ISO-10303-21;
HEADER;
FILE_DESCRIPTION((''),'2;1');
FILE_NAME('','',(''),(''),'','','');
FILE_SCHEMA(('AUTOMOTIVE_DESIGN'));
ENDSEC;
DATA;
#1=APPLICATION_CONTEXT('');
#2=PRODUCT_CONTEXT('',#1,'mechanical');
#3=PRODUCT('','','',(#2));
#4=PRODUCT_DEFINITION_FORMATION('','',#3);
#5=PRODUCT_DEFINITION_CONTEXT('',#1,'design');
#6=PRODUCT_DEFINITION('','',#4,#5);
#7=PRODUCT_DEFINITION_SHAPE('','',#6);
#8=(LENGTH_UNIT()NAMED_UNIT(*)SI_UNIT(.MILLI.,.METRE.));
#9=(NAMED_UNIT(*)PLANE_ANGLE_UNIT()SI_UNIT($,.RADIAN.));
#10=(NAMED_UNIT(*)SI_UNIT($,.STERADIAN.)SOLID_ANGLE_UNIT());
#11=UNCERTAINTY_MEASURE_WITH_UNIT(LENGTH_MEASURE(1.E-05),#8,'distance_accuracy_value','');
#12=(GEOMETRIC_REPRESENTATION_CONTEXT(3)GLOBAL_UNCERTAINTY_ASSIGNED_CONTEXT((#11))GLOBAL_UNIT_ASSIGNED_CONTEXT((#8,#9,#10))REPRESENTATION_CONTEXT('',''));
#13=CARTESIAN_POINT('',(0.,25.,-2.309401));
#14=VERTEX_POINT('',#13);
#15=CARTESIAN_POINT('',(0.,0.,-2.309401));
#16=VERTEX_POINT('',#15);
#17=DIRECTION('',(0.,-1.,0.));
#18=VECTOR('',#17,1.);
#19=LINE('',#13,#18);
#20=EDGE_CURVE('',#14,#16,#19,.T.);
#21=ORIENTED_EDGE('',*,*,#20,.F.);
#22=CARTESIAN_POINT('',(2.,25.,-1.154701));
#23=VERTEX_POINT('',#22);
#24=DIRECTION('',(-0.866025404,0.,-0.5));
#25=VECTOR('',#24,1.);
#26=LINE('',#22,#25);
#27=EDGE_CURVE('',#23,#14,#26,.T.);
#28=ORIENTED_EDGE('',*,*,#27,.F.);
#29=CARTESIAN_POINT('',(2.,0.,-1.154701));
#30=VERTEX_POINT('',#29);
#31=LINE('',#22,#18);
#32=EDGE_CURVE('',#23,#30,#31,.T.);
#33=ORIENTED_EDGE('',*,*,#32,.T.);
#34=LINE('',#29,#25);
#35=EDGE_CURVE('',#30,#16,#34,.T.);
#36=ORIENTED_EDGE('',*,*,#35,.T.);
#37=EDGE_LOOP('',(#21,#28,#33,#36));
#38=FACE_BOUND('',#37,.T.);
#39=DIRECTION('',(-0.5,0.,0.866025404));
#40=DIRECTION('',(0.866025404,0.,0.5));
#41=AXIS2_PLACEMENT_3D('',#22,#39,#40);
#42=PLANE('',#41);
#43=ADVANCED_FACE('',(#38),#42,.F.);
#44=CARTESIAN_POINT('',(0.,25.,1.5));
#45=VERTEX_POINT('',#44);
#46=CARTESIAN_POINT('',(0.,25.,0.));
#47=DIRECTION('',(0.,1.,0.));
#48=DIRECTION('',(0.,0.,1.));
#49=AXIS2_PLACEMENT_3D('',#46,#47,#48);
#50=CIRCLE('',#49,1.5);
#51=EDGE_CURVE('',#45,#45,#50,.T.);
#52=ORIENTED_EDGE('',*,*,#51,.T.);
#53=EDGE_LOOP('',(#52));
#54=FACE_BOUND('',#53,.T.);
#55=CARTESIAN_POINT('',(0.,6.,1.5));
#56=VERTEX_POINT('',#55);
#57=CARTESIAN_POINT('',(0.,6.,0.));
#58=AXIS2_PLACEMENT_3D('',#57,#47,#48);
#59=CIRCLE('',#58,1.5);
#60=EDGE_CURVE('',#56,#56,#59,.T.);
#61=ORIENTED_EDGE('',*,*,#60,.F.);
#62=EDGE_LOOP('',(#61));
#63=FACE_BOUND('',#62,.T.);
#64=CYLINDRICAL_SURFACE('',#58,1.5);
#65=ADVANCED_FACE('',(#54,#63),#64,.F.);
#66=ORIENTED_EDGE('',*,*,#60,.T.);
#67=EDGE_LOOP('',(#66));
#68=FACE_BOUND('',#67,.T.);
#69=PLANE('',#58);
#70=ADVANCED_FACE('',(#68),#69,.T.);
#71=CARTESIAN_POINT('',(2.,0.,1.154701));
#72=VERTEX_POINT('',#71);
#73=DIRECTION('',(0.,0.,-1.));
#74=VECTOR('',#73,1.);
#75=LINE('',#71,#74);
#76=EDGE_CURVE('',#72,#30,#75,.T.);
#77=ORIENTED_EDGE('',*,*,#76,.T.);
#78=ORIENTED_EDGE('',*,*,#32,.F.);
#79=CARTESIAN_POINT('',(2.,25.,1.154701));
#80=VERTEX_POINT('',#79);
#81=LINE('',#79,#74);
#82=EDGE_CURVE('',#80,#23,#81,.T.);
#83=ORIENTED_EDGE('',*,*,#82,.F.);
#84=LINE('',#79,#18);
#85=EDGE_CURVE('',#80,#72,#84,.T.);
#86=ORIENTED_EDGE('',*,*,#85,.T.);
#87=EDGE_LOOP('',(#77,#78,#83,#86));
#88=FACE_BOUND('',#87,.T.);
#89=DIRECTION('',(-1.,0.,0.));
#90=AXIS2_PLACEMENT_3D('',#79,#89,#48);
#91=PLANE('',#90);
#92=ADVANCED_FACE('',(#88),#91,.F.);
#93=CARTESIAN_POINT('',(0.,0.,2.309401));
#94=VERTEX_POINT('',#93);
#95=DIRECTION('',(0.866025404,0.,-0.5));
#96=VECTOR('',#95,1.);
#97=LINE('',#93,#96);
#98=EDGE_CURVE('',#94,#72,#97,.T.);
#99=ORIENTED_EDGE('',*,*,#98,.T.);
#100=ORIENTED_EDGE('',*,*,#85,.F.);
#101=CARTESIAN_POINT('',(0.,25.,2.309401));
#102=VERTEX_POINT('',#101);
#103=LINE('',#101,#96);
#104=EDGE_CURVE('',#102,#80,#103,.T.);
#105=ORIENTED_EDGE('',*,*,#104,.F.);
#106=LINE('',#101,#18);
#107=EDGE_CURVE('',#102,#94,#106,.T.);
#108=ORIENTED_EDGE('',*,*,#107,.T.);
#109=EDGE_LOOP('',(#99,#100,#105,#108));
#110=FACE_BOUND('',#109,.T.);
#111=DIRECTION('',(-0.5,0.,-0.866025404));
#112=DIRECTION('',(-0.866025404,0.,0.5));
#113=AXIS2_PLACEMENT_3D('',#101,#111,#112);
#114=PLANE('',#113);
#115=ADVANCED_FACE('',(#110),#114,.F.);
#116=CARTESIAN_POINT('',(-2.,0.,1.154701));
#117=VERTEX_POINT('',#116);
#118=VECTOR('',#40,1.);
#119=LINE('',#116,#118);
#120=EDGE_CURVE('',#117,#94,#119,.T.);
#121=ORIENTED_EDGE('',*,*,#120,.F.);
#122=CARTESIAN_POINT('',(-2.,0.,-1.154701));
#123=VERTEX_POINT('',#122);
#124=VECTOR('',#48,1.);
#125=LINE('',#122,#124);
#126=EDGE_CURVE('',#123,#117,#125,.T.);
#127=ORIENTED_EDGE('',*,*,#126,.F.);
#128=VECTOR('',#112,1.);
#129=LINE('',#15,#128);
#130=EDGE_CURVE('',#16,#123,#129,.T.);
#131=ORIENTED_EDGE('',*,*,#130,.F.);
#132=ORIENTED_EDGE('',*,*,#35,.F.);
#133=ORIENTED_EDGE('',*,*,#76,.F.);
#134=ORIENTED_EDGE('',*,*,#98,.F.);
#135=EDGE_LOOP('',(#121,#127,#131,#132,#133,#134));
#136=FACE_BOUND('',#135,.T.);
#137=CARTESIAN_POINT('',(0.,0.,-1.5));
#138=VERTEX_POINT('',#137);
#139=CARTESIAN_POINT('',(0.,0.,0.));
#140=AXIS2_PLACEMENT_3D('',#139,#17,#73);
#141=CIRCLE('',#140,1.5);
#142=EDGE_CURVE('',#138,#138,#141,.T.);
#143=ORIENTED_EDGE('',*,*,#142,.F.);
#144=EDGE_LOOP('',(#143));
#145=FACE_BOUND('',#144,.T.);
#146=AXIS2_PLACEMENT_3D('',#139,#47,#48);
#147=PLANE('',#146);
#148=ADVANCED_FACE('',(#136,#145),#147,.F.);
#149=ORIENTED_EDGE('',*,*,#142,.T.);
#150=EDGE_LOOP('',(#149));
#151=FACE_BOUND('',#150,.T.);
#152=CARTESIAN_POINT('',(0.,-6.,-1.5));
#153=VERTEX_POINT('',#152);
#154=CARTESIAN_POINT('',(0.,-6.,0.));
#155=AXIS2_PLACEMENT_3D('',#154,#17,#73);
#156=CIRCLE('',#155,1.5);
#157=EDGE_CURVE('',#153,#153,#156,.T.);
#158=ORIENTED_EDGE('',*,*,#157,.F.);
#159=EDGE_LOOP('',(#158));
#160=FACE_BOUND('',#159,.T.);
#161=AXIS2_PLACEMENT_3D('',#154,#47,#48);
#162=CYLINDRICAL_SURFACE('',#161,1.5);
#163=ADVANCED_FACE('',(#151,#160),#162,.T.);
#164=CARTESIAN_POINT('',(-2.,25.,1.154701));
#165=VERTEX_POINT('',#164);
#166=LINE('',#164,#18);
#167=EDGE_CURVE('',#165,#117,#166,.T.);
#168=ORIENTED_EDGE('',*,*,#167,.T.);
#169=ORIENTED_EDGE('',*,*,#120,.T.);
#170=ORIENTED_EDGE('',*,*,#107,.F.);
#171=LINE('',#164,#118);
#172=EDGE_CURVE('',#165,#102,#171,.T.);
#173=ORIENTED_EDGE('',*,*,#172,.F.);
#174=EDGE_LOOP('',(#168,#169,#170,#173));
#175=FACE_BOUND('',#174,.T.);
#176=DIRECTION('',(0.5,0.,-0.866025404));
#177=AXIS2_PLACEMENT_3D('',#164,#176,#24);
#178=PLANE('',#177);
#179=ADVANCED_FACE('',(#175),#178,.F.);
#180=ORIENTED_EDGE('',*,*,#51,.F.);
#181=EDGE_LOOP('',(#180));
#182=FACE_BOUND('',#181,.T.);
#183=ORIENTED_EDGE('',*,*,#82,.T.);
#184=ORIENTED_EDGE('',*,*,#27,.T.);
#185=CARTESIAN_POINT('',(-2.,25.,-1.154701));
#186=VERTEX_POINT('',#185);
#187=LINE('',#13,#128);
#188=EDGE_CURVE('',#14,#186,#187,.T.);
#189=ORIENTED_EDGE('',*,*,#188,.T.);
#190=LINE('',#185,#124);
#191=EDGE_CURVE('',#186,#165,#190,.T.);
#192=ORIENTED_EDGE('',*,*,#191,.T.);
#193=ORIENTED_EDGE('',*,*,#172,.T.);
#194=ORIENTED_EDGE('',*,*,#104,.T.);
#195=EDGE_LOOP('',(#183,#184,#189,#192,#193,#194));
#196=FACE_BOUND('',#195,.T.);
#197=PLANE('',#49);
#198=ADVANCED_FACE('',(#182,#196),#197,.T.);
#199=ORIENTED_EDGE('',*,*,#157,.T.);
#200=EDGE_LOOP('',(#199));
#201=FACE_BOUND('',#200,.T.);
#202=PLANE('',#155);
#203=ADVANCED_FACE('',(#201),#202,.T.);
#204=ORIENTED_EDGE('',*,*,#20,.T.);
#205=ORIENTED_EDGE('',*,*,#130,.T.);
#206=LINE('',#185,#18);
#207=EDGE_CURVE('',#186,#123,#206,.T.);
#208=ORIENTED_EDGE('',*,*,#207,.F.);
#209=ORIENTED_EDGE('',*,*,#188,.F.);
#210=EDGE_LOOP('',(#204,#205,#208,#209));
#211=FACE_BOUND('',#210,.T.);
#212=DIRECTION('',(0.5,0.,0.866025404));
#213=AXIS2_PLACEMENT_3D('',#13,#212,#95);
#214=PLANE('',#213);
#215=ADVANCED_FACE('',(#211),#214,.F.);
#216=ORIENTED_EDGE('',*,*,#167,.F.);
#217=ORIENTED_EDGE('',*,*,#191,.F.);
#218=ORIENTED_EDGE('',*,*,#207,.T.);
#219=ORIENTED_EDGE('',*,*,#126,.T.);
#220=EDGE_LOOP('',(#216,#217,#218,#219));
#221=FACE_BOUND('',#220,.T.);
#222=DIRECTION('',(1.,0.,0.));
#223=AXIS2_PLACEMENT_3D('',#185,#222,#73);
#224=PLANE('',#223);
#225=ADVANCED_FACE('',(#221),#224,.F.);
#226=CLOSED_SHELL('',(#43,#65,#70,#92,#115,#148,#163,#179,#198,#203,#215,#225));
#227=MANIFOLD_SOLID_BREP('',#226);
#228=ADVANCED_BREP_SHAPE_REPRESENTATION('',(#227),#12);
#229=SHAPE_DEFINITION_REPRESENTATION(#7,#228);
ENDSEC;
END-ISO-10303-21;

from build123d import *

# Parameters (mm, degrees)
BOSS_EXTRUDE1_DEPTH = 25
SKETCH2_R           = 1.5
CUT_EXTRUDE1_DEPTH  = 19
SKETCH3_R           = 1.5
BOSS_EXTRUDE2_DEPTH = 6


with BuildPart() as part:
    # Sketch1 → Boss-Extrude1 (new body)
    with BuildSketch(Plane(origin=(0, 0, 0), x_dir=(1, 0, 0), z_dir=(0, 1, 0))):
        Polygon((0, -2.309401077), (2, -1.154700538), (2, 1.154700538), (0, 2.309401077), (-2, 1.154700538), (-2, -1.154700538), align=None)
    extrude(amount=BOSS_EXTRUDE1_DEPTH)

    # Sketch2 → Cut-Extrude1 (cut)
    with BuildSketch(Plane(origin=(0, 25, 0), x_dir=(1, 0, 0), z_dir=(0, 1, 0))):
        Circle(SKETCH2_R)
    extrude(amount=-CUT_EXTRUDE1_DEPTH, mode=Mode.SUBTRACT)

    # Sketch3 → Boss-Extrude2 (add)
    with BuildSketch(Plane.XZ):
        Circle(SKETCH3_R)
    extrude(amount=BOSS_EXTRUDE2_DEPTH)


solid = part.part
